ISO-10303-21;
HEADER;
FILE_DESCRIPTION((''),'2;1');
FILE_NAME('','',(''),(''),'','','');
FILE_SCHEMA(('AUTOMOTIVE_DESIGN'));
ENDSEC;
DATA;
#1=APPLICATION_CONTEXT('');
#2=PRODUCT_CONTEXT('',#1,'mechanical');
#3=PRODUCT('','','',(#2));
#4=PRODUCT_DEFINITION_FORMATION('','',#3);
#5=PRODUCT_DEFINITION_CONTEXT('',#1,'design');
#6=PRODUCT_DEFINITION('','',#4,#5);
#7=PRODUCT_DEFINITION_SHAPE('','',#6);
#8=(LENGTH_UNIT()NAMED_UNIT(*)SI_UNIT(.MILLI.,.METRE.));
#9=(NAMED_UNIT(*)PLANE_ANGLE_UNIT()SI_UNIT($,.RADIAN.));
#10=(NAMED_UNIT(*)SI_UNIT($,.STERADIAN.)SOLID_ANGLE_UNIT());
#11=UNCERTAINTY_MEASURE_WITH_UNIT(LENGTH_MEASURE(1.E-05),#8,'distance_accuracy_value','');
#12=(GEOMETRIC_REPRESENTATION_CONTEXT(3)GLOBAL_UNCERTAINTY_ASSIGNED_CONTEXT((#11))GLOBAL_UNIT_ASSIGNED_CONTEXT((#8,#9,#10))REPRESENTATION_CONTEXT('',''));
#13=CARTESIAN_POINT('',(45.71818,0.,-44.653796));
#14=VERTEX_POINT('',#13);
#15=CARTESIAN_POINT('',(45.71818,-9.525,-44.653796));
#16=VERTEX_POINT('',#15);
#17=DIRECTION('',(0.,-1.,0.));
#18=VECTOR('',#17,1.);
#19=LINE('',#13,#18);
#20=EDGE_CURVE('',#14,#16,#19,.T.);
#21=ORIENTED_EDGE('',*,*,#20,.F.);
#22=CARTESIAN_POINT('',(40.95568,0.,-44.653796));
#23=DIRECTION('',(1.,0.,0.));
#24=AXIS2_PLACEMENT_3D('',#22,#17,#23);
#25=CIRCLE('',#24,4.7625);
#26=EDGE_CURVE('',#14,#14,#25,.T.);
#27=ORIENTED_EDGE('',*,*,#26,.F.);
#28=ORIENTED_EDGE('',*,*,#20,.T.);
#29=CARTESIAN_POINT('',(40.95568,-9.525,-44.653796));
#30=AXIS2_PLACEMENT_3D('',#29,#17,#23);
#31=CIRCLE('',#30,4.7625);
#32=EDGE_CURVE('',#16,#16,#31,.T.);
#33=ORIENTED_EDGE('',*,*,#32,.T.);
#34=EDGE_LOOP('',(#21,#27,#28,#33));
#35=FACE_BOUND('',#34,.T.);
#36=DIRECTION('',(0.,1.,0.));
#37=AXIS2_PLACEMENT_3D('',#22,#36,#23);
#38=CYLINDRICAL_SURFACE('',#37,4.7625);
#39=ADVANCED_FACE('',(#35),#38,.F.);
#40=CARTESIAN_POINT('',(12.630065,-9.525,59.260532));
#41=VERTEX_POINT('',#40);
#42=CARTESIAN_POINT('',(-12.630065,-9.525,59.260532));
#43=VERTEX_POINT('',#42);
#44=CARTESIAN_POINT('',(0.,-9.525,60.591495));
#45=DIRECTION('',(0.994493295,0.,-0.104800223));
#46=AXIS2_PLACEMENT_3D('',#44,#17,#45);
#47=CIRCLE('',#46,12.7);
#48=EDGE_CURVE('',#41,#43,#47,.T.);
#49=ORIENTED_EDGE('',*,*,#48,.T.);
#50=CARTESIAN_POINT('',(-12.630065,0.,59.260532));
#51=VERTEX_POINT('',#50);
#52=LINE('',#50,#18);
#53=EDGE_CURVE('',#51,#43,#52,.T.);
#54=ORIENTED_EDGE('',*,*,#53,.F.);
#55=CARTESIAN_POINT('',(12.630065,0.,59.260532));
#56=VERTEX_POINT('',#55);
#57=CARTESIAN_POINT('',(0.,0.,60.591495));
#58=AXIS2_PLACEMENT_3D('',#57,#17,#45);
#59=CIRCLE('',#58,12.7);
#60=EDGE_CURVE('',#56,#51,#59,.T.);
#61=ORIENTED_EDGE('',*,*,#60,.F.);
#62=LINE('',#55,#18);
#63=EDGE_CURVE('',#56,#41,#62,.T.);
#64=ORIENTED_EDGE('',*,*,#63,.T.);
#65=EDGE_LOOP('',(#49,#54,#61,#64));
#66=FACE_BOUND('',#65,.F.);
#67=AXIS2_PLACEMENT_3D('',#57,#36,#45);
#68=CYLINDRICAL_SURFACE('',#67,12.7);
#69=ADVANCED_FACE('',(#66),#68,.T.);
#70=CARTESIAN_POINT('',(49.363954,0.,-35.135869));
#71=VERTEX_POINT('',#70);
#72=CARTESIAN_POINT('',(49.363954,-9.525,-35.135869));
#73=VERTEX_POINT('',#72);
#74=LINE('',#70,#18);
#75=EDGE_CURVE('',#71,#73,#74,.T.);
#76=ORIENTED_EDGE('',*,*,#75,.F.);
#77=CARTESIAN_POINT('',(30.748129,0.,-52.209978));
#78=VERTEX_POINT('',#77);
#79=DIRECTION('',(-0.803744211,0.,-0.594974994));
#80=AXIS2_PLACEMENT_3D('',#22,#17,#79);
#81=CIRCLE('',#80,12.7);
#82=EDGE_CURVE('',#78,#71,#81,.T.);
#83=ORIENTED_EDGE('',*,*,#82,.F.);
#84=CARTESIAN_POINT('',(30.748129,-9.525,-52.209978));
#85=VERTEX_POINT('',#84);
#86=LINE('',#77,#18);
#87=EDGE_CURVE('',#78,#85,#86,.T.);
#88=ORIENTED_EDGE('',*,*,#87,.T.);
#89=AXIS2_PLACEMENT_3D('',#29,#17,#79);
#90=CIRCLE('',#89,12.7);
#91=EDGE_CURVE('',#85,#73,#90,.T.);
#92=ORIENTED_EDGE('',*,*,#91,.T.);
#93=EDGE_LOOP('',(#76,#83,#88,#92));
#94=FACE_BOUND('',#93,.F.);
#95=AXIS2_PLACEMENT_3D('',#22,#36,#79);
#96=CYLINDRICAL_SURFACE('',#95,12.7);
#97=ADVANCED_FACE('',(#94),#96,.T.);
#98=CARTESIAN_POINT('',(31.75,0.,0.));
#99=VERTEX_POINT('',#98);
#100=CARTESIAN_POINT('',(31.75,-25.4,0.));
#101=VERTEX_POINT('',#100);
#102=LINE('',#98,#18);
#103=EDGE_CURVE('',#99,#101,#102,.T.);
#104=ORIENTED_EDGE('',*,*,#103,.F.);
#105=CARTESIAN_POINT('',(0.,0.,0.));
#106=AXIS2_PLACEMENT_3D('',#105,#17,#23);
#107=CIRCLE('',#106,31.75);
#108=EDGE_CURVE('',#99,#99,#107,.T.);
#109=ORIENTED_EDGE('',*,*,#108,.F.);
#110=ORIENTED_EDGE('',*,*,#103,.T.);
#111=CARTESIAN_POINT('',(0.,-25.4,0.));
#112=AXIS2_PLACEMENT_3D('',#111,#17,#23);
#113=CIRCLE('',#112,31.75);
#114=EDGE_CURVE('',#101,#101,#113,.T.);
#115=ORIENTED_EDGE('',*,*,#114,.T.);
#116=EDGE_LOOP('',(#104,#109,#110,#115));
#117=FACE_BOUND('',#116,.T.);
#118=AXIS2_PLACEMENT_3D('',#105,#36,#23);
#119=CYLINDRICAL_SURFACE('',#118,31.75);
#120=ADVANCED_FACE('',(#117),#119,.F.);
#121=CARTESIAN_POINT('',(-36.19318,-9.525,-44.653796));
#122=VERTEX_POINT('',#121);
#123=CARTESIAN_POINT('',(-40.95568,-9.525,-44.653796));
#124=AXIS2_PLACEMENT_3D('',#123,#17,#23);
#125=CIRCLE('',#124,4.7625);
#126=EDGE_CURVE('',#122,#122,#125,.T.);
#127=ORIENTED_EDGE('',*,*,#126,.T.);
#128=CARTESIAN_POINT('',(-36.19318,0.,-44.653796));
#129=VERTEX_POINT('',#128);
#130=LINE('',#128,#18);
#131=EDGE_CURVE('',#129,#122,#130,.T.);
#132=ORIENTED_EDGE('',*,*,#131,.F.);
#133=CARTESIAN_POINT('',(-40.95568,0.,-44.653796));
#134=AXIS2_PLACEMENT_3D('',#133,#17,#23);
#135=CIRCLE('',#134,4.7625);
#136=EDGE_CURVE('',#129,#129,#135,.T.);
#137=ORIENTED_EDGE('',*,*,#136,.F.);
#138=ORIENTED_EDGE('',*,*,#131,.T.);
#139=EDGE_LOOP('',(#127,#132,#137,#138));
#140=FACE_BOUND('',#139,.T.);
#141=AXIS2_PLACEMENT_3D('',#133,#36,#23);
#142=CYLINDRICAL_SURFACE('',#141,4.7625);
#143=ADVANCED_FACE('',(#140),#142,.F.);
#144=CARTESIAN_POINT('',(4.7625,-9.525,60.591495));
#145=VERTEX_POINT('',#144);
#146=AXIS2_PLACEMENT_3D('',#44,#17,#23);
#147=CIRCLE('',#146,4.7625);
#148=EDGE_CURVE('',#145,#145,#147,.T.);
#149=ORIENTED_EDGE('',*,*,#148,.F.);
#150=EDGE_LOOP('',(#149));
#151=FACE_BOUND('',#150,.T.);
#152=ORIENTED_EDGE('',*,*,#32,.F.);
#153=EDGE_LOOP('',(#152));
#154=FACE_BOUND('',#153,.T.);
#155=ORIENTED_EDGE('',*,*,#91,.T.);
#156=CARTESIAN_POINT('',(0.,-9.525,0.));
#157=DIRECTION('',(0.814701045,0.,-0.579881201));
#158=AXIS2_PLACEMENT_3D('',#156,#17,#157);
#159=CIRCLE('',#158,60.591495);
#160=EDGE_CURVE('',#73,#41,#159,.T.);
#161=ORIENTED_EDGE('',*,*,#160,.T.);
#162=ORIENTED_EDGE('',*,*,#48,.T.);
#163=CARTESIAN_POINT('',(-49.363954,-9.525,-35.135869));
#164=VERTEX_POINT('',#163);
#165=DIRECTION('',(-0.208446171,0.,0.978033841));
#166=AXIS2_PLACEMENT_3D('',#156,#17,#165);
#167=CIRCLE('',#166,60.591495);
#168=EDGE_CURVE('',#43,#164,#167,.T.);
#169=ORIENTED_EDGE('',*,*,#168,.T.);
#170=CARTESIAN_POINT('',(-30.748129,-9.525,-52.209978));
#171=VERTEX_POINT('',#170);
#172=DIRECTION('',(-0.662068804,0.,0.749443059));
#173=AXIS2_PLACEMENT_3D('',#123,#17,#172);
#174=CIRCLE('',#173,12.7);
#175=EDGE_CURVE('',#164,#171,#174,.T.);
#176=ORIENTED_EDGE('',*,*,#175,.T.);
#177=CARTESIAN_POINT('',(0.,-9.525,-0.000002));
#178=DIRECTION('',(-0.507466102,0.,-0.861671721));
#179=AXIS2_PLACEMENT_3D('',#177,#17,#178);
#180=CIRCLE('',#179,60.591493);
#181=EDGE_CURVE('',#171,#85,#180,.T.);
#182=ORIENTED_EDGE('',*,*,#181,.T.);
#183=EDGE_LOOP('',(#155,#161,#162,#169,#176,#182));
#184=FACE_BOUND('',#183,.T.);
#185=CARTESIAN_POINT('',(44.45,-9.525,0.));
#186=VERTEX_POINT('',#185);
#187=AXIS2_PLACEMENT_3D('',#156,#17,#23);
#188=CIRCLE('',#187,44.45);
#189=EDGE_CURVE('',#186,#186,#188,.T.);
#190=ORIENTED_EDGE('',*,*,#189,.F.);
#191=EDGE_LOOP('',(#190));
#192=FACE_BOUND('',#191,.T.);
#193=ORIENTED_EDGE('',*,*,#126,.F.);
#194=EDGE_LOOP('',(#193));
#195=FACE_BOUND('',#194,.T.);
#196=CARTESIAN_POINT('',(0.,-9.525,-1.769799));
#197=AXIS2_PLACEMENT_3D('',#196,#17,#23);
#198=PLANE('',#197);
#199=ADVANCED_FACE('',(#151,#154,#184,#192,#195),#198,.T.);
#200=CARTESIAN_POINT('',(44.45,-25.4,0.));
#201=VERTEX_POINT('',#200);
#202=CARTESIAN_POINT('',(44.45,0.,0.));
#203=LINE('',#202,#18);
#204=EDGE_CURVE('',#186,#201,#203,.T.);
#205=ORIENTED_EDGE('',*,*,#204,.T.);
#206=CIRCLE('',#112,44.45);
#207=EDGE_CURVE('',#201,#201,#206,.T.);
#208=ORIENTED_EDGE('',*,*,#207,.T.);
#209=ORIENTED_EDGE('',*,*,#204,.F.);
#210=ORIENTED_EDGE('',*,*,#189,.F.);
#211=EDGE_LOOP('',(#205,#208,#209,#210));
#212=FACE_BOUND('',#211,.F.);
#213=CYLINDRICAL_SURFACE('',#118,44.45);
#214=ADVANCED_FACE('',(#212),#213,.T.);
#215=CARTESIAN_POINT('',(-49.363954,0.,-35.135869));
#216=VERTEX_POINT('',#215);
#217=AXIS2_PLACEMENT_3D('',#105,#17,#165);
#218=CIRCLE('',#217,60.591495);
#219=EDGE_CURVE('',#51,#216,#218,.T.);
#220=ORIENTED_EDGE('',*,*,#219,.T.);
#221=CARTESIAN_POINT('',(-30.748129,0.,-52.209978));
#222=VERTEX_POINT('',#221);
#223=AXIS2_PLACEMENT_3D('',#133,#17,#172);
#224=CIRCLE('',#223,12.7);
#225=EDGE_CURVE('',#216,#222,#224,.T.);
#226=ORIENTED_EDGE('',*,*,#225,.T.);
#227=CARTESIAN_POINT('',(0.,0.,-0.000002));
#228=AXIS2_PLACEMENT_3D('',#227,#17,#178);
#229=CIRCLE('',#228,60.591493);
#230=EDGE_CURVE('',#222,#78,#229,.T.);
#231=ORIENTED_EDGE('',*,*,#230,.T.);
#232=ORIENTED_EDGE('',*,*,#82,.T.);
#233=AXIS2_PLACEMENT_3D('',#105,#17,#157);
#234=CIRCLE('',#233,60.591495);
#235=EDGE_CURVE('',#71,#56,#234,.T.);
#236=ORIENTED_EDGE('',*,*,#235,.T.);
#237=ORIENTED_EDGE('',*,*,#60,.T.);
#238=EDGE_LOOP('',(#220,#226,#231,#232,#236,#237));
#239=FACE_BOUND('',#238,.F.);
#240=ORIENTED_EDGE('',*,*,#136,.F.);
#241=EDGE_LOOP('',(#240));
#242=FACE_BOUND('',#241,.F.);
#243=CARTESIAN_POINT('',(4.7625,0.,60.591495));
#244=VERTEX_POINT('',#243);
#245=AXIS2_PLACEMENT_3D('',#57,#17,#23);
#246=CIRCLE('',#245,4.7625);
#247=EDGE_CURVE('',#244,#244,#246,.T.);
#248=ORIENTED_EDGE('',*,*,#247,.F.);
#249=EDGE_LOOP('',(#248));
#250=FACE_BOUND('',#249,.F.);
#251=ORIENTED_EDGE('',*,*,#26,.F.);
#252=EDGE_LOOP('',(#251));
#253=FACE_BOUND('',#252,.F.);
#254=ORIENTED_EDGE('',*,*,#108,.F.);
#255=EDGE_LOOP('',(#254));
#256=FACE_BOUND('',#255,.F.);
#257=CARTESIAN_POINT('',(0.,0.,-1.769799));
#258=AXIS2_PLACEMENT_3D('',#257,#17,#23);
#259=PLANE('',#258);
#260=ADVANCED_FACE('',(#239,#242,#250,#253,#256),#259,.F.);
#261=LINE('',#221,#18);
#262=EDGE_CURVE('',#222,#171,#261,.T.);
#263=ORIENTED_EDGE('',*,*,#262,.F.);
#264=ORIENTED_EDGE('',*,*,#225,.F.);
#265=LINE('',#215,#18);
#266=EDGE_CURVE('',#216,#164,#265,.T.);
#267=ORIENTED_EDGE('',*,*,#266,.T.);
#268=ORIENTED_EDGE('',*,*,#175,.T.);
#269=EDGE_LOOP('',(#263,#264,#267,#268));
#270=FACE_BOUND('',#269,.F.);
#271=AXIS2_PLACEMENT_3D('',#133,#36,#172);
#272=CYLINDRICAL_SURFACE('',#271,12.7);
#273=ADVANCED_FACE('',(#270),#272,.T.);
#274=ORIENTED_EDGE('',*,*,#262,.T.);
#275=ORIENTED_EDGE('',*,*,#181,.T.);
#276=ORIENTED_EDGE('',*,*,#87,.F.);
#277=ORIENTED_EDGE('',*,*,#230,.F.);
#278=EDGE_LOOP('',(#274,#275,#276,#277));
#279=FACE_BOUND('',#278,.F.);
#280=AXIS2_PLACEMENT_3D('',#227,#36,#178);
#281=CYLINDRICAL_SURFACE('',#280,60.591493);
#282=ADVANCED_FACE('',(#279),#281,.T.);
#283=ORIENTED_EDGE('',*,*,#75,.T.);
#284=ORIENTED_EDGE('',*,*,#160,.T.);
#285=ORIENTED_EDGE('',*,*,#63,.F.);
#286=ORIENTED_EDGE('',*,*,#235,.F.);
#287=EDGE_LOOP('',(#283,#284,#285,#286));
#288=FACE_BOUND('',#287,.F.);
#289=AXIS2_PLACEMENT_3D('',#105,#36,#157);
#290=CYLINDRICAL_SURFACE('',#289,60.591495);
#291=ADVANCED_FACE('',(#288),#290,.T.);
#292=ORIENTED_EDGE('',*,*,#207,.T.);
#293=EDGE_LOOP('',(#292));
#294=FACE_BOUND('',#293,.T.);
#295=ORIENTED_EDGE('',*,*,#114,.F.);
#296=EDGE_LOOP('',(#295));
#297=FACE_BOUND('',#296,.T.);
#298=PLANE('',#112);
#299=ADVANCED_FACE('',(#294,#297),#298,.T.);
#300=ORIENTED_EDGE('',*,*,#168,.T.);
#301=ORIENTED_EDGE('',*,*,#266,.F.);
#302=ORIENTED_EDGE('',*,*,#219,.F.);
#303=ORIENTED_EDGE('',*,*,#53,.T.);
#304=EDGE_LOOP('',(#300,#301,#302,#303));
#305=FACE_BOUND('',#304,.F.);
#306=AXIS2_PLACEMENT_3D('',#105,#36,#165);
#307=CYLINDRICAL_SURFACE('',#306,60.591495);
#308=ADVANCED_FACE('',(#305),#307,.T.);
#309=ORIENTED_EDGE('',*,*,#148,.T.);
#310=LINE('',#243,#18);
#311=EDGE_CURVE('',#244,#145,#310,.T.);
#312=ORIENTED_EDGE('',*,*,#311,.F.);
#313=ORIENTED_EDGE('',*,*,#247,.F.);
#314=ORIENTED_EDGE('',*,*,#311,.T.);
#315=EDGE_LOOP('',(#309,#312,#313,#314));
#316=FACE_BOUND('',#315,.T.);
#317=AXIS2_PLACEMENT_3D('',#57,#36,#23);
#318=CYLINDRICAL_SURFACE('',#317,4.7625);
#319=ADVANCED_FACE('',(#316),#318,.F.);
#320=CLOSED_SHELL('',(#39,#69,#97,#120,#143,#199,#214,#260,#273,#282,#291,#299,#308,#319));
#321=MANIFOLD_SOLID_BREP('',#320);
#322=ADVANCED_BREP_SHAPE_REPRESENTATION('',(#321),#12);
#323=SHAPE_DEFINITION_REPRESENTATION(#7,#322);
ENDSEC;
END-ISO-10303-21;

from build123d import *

# Parameters (mm, degrees)
F0_R     = 44.45
F0_R_2   = 31.75
F1_DEPTH = 25.4
F0_R_3   = 4.7625
F2_DEPTH = 9.525


with BuildPart() as f1:
    # F0 (on Front) → F1 (new body)
    with BuildSketch(Plane.XZ):
        Circle(F0_R)
        Circle(F0_R_2, mode=Mode.SUBTRACT)
    extrude(amount=F1_DEPTH)

    # F0 (on Front) → F2 (join)
    with BuildSketch(Plane.XZ):
        with BuildLine():
            ThreePointArc((30.748129, -52.209978), (49.540006, -54.013248), (49.363954, -35.135869))
            ThreePointArc((49.363954, -35.135869), (56.466669, 21.973723), (12.630065, 59.260532))
            ThreePointArc((12.630065, 59.260532), (0, 73.291495), (-12.630065, 59.260532))
            ThreePointArc((-12.630065, 59.260532), (-56.466669, 21.973723), (-49.363954, -35.135869))
            ThreePointArc((-49.363954, -35.135869), (-49.540006, -54.013248), (-30.748129, -52.209978))
            ThreePointArc((-30.748129, -52.209978), (0, -60.591495), (30.748129, -52.209978))
        make_face()
        with Locations((-40.95568, -44.653796)):
            Circle(F0_R_3, mode=Mode.SUBTRACT)
        Circle(F0_R, mode=Mode.SUBTRACT)
        with Locations((40.95568, -44.653796)):
            Circle(F0_R_3, mode=Mode.SUBTRACT)
        with Locations((0, 60.591495)):
            Circle(F0_R_3, mode=Mode.SUBTRACT)
    extrude(amount=F2_DEPTH)


solid = f1.part
